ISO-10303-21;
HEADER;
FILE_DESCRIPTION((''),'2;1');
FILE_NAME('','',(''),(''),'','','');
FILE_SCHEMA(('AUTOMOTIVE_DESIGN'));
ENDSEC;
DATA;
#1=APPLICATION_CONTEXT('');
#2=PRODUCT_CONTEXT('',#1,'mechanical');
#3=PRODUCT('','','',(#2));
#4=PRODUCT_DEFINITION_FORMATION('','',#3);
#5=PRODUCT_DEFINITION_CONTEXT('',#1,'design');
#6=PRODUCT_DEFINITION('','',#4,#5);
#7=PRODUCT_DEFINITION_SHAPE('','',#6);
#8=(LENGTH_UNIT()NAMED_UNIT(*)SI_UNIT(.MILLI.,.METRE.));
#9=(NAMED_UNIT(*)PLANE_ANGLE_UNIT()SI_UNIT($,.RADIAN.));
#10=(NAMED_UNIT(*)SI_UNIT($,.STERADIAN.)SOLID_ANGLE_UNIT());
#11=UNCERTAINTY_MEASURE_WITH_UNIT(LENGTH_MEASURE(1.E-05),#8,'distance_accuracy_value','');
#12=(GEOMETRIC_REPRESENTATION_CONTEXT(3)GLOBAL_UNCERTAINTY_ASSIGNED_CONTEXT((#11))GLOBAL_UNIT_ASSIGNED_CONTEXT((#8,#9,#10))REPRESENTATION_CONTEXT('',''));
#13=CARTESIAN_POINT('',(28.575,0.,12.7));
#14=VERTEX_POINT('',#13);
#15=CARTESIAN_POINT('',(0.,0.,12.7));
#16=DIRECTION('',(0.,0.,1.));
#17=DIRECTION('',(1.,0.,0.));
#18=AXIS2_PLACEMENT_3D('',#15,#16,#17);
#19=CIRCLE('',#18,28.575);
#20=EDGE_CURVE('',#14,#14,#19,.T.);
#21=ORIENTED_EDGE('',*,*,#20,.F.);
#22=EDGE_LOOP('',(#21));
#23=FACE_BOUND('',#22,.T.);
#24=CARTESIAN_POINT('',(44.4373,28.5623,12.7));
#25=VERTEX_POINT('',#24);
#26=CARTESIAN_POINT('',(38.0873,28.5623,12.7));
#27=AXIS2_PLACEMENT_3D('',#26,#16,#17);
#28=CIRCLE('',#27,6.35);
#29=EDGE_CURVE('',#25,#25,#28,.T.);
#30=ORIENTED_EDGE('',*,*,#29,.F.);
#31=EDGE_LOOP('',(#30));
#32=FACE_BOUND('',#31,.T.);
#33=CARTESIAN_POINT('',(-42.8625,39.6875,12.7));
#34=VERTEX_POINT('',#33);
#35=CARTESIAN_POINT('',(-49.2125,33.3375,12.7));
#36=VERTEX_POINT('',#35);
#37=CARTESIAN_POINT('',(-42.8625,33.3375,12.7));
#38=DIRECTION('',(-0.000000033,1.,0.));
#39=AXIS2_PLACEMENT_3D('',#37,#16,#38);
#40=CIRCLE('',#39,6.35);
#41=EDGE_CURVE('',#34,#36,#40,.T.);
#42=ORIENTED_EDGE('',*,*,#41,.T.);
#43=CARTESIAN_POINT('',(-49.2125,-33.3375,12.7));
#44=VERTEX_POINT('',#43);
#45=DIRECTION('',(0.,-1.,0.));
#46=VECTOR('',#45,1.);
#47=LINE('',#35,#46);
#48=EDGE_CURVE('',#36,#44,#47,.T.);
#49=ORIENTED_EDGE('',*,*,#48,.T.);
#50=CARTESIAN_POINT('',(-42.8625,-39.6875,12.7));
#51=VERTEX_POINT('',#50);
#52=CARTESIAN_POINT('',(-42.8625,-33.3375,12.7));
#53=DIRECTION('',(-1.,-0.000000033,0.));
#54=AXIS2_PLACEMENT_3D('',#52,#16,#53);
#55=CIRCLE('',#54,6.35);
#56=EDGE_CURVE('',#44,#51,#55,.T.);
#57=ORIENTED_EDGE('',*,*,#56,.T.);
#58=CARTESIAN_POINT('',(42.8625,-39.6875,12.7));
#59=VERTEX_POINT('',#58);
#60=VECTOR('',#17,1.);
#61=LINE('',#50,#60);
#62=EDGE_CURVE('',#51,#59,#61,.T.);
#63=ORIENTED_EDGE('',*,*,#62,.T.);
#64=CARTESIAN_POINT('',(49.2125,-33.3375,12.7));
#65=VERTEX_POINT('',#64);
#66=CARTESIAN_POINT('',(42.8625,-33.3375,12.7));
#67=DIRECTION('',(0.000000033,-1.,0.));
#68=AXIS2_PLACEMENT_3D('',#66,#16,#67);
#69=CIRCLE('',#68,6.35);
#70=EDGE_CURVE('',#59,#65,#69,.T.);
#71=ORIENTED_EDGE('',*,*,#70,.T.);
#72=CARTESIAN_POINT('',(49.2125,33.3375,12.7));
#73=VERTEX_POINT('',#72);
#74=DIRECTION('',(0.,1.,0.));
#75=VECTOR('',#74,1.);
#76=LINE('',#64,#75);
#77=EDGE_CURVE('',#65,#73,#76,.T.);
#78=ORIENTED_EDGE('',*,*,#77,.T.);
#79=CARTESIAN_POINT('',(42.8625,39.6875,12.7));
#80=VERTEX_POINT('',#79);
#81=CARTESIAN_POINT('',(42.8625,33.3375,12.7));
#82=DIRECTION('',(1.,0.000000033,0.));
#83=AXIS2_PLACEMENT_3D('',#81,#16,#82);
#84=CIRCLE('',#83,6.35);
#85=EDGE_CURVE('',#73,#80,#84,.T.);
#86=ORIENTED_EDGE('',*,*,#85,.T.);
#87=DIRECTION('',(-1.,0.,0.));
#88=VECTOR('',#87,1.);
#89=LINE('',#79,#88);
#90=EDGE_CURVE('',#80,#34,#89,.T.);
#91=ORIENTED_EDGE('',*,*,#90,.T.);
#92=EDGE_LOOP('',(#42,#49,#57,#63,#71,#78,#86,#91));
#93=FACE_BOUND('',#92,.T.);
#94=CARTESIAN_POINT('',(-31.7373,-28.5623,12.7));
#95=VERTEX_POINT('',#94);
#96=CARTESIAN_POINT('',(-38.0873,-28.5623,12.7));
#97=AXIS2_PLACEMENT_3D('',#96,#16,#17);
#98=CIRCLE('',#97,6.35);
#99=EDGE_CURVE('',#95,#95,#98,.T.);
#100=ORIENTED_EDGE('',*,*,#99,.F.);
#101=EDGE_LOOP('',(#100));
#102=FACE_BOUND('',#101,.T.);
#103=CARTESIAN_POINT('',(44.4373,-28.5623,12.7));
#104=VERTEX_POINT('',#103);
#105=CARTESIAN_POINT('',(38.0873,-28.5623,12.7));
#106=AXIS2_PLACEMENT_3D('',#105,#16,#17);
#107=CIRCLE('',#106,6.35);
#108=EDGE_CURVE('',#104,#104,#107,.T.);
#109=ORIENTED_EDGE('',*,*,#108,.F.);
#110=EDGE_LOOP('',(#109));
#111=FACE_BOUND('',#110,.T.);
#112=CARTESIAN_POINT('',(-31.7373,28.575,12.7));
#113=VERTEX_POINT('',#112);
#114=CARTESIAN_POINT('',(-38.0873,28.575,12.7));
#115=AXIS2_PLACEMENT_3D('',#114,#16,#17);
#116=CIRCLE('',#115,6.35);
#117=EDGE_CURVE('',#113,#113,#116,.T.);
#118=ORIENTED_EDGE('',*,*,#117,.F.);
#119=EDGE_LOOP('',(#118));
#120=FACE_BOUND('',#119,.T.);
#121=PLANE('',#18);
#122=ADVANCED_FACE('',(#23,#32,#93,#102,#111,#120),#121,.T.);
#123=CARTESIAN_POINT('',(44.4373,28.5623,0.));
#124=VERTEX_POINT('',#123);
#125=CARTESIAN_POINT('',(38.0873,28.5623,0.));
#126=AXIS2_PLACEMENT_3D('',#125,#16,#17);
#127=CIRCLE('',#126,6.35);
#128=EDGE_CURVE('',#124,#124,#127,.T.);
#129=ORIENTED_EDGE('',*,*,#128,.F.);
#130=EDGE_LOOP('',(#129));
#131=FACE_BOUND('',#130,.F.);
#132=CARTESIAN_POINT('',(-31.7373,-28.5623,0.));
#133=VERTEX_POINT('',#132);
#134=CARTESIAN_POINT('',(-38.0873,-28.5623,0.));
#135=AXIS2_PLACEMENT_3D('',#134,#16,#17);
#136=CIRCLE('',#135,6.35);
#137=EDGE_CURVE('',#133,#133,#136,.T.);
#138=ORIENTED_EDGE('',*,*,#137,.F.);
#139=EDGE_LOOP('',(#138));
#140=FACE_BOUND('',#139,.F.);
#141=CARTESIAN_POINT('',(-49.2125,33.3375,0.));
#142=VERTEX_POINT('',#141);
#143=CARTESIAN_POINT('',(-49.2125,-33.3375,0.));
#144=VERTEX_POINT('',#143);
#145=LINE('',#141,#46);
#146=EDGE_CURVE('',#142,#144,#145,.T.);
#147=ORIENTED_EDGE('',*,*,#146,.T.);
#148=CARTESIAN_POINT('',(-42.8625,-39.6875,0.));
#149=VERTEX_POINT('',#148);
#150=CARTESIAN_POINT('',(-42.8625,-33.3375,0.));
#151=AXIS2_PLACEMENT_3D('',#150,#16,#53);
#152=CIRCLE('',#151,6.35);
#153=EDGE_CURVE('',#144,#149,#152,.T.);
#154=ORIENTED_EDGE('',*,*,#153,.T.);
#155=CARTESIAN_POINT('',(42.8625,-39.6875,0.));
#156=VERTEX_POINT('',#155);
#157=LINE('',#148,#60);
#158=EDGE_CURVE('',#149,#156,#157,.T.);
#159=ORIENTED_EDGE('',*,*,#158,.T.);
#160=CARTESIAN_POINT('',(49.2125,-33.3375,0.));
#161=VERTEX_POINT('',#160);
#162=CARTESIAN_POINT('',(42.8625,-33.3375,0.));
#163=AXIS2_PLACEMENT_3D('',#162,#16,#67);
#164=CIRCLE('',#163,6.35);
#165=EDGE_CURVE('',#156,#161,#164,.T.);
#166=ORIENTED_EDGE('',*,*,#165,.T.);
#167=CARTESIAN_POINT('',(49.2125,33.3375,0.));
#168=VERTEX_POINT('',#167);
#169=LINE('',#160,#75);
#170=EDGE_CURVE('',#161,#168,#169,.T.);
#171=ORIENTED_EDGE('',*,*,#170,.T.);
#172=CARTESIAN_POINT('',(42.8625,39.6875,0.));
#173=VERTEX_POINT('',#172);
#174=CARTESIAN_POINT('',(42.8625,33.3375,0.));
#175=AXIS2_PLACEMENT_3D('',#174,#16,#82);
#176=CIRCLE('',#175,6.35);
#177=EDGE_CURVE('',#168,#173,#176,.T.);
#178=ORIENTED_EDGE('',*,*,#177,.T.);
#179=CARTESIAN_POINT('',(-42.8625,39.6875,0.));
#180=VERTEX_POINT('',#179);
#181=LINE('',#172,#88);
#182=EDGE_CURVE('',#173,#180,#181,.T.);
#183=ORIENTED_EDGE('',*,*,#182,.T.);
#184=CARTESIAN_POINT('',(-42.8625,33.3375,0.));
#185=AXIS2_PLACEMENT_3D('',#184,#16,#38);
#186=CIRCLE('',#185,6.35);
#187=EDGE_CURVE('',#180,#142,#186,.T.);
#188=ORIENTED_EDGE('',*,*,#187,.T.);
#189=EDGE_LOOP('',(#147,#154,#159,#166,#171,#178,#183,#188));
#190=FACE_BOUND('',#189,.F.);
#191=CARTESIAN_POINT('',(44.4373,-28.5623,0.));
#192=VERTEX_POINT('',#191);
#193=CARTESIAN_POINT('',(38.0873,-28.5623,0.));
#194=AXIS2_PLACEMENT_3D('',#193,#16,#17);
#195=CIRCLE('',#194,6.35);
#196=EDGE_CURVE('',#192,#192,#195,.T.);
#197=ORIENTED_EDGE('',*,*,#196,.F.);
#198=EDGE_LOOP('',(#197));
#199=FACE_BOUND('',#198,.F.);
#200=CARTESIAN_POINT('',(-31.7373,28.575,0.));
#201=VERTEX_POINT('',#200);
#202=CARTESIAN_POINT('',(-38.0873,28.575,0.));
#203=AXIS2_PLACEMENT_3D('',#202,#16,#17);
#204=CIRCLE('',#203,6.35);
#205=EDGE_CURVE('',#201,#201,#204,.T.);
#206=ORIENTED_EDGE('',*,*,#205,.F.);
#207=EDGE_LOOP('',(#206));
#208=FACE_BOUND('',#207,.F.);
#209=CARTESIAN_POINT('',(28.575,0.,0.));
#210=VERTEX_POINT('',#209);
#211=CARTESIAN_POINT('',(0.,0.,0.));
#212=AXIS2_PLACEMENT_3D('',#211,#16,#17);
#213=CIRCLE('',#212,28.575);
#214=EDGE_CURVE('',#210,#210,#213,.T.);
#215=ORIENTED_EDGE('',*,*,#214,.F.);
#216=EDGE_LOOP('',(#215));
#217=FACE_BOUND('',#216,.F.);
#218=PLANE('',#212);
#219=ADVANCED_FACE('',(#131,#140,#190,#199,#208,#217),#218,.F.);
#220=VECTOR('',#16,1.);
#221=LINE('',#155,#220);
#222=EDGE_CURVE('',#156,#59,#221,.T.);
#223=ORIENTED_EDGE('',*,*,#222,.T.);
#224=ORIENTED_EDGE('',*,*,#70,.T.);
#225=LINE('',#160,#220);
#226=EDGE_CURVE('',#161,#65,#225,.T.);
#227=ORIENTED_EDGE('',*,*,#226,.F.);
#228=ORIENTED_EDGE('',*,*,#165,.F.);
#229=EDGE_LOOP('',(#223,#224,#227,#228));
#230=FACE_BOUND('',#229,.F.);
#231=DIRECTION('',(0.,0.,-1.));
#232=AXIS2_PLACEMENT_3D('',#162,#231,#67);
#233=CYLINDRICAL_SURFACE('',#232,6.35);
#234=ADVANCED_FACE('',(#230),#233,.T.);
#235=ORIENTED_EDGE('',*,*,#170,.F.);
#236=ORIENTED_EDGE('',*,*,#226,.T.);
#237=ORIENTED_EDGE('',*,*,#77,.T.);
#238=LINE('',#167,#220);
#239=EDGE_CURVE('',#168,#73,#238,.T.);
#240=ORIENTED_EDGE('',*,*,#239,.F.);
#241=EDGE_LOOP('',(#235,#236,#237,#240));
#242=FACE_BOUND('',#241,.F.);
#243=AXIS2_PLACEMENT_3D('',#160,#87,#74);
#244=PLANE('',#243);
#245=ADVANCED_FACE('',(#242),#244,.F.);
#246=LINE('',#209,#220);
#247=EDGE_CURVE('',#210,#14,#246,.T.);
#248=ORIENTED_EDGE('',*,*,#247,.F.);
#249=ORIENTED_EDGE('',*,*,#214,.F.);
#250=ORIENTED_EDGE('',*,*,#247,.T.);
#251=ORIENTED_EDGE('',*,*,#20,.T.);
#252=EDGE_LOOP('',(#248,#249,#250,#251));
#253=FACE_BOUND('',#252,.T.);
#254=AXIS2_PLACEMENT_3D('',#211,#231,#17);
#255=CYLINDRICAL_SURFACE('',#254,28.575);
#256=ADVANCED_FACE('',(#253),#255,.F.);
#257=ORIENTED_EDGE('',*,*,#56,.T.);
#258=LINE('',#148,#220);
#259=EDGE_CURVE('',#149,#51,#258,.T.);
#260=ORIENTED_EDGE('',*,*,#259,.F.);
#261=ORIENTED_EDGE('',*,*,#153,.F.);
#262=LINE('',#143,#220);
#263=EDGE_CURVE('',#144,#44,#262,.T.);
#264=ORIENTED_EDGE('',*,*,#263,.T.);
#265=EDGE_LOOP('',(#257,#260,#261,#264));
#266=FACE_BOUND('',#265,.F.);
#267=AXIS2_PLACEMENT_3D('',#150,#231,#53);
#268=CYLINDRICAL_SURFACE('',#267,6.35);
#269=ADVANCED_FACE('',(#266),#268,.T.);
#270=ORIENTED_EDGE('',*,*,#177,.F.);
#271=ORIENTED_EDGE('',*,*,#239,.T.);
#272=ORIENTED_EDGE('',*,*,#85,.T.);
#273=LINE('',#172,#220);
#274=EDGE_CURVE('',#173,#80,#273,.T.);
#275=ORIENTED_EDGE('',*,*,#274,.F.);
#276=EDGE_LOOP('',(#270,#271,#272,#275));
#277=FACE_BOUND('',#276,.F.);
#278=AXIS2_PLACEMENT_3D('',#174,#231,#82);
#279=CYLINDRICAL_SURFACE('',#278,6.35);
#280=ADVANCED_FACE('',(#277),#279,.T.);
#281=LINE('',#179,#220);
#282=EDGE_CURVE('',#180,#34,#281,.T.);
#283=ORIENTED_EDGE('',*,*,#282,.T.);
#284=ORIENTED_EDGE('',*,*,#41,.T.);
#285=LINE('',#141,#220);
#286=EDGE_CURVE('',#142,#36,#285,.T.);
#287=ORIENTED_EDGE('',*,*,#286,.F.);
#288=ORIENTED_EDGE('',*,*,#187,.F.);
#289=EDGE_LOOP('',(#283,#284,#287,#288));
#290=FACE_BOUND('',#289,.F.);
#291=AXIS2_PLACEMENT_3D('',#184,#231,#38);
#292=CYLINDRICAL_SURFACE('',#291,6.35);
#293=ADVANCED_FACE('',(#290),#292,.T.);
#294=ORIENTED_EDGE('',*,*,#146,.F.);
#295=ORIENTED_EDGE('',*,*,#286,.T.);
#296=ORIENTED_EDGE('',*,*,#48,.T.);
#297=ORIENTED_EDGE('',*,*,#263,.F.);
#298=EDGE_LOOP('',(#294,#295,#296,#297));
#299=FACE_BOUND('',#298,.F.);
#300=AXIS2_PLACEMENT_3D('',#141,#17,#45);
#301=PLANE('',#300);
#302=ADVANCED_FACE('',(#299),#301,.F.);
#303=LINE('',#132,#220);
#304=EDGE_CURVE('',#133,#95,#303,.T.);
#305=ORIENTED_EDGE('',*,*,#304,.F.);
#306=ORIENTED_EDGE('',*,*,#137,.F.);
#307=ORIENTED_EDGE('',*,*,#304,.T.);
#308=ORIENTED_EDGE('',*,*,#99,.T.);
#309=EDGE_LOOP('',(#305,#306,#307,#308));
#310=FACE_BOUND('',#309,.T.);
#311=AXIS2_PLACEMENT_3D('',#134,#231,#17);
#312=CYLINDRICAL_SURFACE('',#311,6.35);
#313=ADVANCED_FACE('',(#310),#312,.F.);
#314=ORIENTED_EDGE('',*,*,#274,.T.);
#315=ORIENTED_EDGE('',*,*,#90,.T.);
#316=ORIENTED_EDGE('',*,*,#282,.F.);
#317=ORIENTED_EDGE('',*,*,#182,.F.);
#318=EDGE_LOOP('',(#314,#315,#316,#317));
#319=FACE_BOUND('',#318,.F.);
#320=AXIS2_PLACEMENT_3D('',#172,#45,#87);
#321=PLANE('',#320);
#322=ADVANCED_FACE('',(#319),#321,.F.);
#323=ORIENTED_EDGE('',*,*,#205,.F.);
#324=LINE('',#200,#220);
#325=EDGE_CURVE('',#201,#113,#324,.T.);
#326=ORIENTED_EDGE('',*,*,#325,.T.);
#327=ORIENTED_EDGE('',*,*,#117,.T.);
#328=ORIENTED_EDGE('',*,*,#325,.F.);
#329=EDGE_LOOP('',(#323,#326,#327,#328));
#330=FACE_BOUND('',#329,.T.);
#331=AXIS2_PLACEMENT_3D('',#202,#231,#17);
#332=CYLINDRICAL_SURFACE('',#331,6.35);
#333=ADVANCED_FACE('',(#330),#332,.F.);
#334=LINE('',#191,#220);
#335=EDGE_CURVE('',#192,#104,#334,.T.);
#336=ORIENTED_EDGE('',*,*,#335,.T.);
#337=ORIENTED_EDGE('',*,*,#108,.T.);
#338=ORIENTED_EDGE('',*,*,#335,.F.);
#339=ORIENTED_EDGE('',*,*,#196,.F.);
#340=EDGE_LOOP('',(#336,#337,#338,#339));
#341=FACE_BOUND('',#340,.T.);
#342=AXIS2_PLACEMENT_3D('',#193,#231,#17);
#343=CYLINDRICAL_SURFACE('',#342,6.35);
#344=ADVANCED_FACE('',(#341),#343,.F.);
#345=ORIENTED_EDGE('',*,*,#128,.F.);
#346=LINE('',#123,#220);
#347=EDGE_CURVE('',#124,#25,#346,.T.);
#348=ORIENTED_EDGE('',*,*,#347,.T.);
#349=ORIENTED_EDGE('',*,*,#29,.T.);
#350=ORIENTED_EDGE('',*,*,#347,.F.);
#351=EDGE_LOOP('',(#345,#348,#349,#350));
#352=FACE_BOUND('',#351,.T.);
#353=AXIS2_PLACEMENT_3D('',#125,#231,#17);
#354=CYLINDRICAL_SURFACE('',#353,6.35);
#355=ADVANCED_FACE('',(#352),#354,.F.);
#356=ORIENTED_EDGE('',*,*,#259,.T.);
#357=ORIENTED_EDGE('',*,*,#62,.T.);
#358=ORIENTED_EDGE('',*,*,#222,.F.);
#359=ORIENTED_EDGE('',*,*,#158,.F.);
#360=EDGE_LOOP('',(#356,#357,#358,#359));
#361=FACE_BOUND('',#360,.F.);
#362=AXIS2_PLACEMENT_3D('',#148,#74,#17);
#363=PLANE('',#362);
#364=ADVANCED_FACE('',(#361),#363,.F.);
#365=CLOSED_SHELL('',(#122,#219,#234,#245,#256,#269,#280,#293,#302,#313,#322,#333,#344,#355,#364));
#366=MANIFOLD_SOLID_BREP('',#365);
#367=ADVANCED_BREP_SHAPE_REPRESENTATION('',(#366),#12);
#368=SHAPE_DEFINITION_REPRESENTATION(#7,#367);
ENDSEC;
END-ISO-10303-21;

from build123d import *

# Parameters (mm, degrees)
F0_R     = 6.35
F0_R_2   = 28.575
F1_DEPTH = 12.7


with BuildPart() as f1:
    # F0 (on Top) → F1 (new body)
    with BuildSketch(Plane.XY):
        with BuildLine():
            ThreePointArc((49.2125, 33.3375), (47.352628, 37.827628), (42.8625, 39.6875))
            Line((42.8625, 39.6875), (-42.8625, 39.6875))
            ThreePointArc((-42.8625, 39.6875), (-47.352628, 37.827628), (-49.2125, 33.3375))
            Line((-49.2125, 33.3375), (-49.2125, -33.3375))
            ThreePointArc((-49.2125, -33.3375), (-47.352628, -37.827628), (-42.8625, -39.6875))
            Line((-42.8625, -39.6875), (42.8625, -39.6875))
            ThreePointArc((42.8625, -39.6875), (47.352628, -37.827628), (49.2125, -33.3375))
            Line((49.2125, -33.3375), (49.2125, 33.3375))
        make_face()
        with Locations((-38.0873, -28.5623)):
            Circle(F0_R, mode=Mode.SUBTRACT)
        with Locations((38.0873, -28.5623)):
            Circle(F0_R, mode=Mode.SUBTRACT)
        with Locations((-38.0873, 28.575)):
            Circle(F0_R, mode=Mode.SUBTRACT)
        Circle(F0_R_2, mode=Mode.SUBTRACT)
        with Locations((38.0873, 28.5623)):
            Circle(F0_R, mode=Mode.SUBTRACT)
    extrude(amount=F1_DEPTH)


solid = f1.part
